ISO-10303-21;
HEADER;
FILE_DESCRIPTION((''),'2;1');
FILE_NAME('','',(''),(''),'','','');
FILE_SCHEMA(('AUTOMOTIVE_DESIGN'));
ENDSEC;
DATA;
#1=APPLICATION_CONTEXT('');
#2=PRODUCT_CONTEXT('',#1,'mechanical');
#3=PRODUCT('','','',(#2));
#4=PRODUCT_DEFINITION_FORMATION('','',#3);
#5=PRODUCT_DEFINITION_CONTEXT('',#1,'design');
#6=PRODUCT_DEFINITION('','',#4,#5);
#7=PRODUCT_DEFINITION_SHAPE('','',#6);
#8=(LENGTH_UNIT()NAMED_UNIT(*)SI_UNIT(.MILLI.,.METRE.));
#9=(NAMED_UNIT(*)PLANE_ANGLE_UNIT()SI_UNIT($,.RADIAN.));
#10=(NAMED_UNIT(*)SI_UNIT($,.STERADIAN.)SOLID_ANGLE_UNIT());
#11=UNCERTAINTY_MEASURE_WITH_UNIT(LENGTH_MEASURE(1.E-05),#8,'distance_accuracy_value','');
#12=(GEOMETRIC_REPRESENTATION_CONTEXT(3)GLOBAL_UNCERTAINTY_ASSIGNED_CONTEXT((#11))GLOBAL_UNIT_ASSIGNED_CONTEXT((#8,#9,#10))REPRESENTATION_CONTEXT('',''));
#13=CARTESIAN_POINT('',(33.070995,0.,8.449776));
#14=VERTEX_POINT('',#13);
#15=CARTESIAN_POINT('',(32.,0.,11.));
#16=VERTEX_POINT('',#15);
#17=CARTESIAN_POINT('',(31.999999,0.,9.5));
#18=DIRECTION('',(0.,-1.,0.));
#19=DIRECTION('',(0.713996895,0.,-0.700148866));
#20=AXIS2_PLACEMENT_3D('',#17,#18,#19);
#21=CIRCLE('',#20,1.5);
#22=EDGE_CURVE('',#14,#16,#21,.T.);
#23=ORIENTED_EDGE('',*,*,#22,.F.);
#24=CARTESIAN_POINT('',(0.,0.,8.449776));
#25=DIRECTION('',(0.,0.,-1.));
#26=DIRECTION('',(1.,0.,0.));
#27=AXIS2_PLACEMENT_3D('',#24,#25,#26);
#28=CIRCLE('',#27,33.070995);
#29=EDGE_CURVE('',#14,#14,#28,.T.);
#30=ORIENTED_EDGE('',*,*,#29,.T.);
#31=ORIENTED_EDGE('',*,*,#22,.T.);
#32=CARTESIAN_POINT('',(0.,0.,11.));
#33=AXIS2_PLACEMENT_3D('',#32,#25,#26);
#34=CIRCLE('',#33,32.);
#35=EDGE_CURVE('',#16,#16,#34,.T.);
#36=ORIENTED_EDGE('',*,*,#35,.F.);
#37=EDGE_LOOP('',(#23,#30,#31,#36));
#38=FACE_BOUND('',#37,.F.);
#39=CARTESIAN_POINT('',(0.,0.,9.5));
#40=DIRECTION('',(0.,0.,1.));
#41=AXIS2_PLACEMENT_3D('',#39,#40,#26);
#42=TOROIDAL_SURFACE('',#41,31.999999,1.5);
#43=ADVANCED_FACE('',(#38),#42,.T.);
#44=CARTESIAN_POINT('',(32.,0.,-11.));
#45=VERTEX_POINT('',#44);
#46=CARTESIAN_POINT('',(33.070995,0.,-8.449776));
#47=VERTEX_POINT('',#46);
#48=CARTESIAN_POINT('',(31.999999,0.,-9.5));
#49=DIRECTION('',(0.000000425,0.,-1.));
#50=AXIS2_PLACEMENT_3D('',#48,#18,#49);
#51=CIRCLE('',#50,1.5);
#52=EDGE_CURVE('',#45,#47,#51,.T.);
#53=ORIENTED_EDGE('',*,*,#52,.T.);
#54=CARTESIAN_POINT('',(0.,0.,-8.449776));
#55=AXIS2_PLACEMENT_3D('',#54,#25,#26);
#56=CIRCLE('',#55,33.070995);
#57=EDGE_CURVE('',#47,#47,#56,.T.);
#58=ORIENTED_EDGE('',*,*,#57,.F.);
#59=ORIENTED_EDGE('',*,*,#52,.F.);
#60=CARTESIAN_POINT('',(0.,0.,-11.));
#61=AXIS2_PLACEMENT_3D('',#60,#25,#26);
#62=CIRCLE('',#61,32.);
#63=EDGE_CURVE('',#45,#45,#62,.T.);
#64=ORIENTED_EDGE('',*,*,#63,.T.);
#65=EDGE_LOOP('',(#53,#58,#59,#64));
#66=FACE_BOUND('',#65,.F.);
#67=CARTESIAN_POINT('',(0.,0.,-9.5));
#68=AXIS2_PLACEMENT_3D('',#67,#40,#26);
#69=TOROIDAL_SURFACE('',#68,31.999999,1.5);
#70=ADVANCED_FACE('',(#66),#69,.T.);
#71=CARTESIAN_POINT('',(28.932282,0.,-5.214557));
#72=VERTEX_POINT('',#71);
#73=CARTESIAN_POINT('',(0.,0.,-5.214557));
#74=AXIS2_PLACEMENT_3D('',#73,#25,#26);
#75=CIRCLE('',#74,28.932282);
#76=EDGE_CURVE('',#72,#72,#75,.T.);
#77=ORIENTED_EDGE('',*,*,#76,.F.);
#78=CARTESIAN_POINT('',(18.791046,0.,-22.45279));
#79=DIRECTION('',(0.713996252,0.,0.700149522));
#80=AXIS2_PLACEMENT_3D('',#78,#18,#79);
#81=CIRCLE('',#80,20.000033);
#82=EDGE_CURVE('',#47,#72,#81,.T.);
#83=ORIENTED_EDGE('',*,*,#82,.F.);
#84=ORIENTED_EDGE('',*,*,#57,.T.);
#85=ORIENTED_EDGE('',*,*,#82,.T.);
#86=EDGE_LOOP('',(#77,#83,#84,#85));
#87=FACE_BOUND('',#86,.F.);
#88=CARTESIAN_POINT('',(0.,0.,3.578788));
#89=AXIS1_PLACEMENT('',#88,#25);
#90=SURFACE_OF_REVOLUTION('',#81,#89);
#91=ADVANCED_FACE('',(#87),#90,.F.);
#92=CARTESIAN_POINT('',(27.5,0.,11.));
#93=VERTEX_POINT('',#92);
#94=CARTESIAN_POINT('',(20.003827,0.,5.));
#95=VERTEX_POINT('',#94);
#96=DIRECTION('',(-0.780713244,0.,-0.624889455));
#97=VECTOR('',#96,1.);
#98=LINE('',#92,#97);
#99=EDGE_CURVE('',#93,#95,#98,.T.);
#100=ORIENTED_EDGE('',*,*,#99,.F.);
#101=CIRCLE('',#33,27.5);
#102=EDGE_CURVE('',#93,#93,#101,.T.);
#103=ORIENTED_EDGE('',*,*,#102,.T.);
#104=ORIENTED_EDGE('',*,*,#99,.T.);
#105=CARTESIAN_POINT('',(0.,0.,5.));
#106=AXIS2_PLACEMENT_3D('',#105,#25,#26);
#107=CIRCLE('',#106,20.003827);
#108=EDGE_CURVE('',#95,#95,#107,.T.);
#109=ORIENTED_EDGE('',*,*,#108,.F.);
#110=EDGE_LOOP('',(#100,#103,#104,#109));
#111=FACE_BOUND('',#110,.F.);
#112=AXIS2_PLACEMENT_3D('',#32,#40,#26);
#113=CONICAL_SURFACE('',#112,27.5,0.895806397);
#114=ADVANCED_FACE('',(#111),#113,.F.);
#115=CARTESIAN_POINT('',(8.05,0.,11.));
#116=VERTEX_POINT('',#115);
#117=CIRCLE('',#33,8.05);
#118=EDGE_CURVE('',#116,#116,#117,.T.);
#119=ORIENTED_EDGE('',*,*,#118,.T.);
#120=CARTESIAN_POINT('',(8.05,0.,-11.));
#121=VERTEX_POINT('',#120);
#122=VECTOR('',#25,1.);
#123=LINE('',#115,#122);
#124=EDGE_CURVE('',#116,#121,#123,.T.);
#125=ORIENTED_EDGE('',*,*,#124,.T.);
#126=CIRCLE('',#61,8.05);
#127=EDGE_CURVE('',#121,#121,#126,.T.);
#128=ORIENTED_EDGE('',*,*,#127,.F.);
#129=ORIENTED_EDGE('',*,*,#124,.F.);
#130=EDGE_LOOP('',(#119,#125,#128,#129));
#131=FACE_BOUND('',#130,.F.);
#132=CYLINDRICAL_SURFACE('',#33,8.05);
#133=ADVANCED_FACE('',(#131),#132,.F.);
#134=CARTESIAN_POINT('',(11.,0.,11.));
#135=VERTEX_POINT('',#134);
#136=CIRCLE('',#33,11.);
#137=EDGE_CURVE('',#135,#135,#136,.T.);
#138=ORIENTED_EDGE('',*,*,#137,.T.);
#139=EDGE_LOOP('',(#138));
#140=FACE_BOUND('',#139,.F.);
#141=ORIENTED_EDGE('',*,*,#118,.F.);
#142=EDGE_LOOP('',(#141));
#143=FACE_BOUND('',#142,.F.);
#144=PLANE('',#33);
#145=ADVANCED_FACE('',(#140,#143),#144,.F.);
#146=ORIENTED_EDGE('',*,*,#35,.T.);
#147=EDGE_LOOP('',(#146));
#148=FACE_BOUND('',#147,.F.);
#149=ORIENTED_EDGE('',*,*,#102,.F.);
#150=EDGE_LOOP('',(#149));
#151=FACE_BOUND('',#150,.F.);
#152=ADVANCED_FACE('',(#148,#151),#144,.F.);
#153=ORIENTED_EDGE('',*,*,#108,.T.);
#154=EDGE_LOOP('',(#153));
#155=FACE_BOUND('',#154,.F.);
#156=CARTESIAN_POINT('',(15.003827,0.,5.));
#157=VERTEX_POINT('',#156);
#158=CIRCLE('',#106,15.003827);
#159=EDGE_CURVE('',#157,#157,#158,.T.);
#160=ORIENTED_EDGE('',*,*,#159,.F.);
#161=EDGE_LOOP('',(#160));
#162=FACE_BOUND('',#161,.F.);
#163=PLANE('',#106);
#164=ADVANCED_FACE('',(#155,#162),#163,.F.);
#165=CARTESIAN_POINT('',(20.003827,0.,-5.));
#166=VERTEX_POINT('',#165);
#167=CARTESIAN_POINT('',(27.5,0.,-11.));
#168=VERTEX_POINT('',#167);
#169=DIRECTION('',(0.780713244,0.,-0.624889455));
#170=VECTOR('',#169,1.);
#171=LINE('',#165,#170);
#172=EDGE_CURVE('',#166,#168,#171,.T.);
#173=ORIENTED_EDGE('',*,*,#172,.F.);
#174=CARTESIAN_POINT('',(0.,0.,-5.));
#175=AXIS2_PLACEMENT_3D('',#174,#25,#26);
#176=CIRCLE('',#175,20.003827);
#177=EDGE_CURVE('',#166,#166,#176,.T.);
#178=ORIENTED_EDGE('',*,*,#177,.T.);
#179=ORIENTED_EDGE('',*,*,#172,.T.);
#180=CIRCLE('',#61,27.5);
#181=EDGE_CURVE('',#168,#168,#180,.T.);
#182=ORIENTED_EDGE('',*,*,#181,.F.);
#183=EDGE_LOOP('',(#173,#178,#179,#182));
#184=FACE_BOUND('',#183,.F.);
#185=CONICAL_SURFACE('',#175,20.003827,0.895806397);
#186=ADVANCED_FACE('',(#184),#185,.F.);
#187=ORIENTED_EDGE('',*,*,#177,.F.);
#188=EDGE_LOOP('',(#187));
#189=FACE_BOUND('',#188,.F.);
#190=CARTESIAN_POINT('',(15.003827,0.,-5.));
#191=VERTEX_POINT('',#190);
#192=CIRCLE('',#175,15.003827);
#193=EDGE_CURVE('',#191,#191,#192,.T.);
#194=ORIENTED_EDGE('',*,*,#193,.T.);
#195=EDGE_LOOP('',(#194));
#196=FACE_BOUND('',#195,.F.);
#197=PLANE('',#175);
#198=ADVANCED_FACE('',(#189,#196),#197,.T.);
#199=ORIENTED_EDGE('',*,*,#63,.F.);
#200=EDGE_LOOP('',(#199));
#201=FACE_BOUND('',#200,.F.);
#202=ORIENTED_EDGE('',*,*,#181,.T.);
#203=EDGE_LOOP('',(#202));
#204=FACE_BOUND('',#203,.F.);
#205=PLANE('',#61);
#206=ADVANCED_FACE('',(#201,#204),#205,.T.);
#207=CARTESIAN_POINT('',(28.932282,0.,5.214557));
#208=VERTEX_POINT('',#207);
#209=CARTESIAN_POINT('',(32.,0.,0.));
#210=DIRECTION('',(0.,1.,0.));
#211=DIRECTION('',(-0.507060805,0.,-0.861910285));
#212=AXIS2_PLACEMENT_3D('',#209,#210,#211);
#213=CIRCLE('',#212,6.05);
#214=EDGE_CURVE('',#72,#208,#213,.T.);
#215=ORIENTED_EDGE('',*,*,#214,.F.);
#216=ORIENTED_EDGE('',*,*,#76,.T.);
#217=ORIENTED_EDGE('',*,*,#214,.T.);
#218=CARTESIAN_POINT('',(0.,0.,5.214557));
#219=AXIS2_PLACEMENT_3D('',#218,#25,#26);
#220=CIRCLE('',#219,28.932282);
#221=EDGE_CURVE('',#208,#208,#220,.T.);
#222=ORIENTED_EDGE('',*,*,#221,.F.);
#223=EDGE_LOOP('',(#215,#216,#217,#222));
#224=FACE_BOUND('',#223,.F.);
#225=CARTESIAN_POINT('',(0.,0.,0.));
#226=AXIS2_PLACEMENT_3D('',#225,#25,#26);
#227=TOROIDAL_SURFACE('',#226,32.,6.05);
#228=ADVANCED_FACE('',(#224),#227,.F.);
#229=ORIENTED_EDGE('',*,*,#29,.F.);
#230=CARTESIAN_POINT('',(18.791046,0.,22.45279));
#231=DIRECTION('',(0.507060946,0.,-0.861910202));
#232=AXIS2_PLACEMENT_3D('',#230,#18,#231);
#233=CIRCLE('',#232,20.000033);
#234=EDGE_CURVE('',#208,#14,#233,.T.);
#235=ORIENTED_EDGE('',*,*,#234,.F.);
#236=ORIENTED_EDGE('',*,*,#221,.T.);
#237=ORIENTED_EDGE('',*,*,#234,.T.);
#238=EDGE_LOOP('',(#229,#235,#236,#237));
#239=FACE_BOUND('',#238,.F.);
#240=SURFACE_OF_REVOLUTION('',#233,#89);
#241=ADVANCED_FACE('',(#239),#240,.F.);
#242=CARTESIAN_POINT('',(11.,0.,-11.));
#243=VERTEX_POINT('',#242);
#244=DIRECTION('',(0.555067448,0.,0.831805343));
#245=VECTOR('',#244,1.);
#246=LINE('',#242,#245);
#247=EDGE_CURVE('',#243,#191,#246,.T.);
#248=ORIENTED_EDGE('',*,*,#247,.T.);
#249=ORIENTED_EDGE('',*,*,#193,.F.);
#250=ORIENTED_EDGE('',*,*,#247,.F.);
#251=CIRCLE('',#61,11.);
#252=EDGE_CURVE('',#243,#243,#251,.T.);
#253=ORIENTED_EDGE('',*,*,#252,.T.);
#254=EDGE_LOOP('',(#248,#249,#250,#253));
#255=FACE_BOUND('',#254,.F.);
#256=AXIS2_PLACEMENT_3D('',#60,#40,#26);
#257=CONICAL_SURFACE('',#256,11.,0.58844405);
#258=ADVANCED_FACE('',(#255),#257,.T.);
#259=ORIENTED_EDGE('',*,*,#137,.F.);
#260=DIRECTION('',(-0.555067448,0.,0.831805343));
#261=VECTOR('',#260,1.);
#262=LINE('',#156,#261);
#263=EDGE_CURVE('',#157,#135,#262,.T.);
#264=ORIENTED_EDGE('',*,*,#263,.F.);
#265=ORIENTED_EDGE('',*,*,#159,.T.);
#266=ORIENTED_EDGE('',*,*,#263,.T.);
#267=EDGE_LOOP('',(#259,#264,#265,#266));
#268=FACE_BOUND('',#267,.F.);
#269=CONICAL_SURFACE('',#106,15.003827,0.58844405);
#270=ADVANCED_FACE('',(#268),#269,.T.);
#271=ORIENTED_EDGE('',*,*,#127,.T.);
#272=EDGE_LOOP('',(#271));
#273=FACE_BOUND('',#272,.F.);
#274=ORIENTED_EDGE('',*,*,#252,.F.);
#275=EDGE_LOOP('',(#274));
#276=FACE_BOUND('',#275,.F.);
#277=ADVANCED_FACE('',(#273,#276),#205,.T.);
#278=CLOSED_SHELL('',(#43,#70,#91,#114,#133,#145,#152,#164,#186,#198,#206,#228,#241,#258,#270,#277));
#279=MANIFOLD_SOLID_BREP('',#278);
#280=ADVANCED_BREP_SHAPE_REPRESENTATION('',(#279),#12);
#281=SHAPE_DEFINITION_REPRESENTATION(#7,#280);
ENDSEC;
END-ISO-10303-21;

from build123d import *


with BuildPart() as f1:
    # F0 (on Front) → F1 (revolve)
    with BuildSketch(Plane.XZ):
        with BuildLine():
            ThreePointArc((28.932282, 5.214557), (31.10832, 6.695693), (33.070995, 8.449776))
            ThreePointArc((33.070995, 8.449776), (33.382992, 10.080803), (32, 11))
            Line((32, 11), (27.5, 11))
            Line((27.5, 11), (20.003827, 5))
            Line((20.003827, 5), (15.003827, 5))
            Line((15.003827, 5), (11, 11))
            Line((11, 11), (8.05, 11))
            Line((8.05, 11), (8.05, -11))
            Line((8.05, -11), (11, -11))
            Line((11, -11), (15.003827, -5))
            Line((15.003827, -5), (20.003827, -5))
            Line((20.003827, -5), (27.5, -11))
            Line((27.5, -11), (32, -11))
            ThreePointArc((32, -11), (33.382992, -10.080803), (33.070995, -8.449776))
            ThreePointArc((33.070995, -8.449776), (31.10832, -6.695693), (28.932282, -5.214557))
            ThreePointArc((28.932282, -5.214557), (25.95, 0), (28.932282, 5.214557))
        make_face()
    revolve(axis=Axis((0, 0, 3.578788), (0, 0, -1)))


solid = f1.part
